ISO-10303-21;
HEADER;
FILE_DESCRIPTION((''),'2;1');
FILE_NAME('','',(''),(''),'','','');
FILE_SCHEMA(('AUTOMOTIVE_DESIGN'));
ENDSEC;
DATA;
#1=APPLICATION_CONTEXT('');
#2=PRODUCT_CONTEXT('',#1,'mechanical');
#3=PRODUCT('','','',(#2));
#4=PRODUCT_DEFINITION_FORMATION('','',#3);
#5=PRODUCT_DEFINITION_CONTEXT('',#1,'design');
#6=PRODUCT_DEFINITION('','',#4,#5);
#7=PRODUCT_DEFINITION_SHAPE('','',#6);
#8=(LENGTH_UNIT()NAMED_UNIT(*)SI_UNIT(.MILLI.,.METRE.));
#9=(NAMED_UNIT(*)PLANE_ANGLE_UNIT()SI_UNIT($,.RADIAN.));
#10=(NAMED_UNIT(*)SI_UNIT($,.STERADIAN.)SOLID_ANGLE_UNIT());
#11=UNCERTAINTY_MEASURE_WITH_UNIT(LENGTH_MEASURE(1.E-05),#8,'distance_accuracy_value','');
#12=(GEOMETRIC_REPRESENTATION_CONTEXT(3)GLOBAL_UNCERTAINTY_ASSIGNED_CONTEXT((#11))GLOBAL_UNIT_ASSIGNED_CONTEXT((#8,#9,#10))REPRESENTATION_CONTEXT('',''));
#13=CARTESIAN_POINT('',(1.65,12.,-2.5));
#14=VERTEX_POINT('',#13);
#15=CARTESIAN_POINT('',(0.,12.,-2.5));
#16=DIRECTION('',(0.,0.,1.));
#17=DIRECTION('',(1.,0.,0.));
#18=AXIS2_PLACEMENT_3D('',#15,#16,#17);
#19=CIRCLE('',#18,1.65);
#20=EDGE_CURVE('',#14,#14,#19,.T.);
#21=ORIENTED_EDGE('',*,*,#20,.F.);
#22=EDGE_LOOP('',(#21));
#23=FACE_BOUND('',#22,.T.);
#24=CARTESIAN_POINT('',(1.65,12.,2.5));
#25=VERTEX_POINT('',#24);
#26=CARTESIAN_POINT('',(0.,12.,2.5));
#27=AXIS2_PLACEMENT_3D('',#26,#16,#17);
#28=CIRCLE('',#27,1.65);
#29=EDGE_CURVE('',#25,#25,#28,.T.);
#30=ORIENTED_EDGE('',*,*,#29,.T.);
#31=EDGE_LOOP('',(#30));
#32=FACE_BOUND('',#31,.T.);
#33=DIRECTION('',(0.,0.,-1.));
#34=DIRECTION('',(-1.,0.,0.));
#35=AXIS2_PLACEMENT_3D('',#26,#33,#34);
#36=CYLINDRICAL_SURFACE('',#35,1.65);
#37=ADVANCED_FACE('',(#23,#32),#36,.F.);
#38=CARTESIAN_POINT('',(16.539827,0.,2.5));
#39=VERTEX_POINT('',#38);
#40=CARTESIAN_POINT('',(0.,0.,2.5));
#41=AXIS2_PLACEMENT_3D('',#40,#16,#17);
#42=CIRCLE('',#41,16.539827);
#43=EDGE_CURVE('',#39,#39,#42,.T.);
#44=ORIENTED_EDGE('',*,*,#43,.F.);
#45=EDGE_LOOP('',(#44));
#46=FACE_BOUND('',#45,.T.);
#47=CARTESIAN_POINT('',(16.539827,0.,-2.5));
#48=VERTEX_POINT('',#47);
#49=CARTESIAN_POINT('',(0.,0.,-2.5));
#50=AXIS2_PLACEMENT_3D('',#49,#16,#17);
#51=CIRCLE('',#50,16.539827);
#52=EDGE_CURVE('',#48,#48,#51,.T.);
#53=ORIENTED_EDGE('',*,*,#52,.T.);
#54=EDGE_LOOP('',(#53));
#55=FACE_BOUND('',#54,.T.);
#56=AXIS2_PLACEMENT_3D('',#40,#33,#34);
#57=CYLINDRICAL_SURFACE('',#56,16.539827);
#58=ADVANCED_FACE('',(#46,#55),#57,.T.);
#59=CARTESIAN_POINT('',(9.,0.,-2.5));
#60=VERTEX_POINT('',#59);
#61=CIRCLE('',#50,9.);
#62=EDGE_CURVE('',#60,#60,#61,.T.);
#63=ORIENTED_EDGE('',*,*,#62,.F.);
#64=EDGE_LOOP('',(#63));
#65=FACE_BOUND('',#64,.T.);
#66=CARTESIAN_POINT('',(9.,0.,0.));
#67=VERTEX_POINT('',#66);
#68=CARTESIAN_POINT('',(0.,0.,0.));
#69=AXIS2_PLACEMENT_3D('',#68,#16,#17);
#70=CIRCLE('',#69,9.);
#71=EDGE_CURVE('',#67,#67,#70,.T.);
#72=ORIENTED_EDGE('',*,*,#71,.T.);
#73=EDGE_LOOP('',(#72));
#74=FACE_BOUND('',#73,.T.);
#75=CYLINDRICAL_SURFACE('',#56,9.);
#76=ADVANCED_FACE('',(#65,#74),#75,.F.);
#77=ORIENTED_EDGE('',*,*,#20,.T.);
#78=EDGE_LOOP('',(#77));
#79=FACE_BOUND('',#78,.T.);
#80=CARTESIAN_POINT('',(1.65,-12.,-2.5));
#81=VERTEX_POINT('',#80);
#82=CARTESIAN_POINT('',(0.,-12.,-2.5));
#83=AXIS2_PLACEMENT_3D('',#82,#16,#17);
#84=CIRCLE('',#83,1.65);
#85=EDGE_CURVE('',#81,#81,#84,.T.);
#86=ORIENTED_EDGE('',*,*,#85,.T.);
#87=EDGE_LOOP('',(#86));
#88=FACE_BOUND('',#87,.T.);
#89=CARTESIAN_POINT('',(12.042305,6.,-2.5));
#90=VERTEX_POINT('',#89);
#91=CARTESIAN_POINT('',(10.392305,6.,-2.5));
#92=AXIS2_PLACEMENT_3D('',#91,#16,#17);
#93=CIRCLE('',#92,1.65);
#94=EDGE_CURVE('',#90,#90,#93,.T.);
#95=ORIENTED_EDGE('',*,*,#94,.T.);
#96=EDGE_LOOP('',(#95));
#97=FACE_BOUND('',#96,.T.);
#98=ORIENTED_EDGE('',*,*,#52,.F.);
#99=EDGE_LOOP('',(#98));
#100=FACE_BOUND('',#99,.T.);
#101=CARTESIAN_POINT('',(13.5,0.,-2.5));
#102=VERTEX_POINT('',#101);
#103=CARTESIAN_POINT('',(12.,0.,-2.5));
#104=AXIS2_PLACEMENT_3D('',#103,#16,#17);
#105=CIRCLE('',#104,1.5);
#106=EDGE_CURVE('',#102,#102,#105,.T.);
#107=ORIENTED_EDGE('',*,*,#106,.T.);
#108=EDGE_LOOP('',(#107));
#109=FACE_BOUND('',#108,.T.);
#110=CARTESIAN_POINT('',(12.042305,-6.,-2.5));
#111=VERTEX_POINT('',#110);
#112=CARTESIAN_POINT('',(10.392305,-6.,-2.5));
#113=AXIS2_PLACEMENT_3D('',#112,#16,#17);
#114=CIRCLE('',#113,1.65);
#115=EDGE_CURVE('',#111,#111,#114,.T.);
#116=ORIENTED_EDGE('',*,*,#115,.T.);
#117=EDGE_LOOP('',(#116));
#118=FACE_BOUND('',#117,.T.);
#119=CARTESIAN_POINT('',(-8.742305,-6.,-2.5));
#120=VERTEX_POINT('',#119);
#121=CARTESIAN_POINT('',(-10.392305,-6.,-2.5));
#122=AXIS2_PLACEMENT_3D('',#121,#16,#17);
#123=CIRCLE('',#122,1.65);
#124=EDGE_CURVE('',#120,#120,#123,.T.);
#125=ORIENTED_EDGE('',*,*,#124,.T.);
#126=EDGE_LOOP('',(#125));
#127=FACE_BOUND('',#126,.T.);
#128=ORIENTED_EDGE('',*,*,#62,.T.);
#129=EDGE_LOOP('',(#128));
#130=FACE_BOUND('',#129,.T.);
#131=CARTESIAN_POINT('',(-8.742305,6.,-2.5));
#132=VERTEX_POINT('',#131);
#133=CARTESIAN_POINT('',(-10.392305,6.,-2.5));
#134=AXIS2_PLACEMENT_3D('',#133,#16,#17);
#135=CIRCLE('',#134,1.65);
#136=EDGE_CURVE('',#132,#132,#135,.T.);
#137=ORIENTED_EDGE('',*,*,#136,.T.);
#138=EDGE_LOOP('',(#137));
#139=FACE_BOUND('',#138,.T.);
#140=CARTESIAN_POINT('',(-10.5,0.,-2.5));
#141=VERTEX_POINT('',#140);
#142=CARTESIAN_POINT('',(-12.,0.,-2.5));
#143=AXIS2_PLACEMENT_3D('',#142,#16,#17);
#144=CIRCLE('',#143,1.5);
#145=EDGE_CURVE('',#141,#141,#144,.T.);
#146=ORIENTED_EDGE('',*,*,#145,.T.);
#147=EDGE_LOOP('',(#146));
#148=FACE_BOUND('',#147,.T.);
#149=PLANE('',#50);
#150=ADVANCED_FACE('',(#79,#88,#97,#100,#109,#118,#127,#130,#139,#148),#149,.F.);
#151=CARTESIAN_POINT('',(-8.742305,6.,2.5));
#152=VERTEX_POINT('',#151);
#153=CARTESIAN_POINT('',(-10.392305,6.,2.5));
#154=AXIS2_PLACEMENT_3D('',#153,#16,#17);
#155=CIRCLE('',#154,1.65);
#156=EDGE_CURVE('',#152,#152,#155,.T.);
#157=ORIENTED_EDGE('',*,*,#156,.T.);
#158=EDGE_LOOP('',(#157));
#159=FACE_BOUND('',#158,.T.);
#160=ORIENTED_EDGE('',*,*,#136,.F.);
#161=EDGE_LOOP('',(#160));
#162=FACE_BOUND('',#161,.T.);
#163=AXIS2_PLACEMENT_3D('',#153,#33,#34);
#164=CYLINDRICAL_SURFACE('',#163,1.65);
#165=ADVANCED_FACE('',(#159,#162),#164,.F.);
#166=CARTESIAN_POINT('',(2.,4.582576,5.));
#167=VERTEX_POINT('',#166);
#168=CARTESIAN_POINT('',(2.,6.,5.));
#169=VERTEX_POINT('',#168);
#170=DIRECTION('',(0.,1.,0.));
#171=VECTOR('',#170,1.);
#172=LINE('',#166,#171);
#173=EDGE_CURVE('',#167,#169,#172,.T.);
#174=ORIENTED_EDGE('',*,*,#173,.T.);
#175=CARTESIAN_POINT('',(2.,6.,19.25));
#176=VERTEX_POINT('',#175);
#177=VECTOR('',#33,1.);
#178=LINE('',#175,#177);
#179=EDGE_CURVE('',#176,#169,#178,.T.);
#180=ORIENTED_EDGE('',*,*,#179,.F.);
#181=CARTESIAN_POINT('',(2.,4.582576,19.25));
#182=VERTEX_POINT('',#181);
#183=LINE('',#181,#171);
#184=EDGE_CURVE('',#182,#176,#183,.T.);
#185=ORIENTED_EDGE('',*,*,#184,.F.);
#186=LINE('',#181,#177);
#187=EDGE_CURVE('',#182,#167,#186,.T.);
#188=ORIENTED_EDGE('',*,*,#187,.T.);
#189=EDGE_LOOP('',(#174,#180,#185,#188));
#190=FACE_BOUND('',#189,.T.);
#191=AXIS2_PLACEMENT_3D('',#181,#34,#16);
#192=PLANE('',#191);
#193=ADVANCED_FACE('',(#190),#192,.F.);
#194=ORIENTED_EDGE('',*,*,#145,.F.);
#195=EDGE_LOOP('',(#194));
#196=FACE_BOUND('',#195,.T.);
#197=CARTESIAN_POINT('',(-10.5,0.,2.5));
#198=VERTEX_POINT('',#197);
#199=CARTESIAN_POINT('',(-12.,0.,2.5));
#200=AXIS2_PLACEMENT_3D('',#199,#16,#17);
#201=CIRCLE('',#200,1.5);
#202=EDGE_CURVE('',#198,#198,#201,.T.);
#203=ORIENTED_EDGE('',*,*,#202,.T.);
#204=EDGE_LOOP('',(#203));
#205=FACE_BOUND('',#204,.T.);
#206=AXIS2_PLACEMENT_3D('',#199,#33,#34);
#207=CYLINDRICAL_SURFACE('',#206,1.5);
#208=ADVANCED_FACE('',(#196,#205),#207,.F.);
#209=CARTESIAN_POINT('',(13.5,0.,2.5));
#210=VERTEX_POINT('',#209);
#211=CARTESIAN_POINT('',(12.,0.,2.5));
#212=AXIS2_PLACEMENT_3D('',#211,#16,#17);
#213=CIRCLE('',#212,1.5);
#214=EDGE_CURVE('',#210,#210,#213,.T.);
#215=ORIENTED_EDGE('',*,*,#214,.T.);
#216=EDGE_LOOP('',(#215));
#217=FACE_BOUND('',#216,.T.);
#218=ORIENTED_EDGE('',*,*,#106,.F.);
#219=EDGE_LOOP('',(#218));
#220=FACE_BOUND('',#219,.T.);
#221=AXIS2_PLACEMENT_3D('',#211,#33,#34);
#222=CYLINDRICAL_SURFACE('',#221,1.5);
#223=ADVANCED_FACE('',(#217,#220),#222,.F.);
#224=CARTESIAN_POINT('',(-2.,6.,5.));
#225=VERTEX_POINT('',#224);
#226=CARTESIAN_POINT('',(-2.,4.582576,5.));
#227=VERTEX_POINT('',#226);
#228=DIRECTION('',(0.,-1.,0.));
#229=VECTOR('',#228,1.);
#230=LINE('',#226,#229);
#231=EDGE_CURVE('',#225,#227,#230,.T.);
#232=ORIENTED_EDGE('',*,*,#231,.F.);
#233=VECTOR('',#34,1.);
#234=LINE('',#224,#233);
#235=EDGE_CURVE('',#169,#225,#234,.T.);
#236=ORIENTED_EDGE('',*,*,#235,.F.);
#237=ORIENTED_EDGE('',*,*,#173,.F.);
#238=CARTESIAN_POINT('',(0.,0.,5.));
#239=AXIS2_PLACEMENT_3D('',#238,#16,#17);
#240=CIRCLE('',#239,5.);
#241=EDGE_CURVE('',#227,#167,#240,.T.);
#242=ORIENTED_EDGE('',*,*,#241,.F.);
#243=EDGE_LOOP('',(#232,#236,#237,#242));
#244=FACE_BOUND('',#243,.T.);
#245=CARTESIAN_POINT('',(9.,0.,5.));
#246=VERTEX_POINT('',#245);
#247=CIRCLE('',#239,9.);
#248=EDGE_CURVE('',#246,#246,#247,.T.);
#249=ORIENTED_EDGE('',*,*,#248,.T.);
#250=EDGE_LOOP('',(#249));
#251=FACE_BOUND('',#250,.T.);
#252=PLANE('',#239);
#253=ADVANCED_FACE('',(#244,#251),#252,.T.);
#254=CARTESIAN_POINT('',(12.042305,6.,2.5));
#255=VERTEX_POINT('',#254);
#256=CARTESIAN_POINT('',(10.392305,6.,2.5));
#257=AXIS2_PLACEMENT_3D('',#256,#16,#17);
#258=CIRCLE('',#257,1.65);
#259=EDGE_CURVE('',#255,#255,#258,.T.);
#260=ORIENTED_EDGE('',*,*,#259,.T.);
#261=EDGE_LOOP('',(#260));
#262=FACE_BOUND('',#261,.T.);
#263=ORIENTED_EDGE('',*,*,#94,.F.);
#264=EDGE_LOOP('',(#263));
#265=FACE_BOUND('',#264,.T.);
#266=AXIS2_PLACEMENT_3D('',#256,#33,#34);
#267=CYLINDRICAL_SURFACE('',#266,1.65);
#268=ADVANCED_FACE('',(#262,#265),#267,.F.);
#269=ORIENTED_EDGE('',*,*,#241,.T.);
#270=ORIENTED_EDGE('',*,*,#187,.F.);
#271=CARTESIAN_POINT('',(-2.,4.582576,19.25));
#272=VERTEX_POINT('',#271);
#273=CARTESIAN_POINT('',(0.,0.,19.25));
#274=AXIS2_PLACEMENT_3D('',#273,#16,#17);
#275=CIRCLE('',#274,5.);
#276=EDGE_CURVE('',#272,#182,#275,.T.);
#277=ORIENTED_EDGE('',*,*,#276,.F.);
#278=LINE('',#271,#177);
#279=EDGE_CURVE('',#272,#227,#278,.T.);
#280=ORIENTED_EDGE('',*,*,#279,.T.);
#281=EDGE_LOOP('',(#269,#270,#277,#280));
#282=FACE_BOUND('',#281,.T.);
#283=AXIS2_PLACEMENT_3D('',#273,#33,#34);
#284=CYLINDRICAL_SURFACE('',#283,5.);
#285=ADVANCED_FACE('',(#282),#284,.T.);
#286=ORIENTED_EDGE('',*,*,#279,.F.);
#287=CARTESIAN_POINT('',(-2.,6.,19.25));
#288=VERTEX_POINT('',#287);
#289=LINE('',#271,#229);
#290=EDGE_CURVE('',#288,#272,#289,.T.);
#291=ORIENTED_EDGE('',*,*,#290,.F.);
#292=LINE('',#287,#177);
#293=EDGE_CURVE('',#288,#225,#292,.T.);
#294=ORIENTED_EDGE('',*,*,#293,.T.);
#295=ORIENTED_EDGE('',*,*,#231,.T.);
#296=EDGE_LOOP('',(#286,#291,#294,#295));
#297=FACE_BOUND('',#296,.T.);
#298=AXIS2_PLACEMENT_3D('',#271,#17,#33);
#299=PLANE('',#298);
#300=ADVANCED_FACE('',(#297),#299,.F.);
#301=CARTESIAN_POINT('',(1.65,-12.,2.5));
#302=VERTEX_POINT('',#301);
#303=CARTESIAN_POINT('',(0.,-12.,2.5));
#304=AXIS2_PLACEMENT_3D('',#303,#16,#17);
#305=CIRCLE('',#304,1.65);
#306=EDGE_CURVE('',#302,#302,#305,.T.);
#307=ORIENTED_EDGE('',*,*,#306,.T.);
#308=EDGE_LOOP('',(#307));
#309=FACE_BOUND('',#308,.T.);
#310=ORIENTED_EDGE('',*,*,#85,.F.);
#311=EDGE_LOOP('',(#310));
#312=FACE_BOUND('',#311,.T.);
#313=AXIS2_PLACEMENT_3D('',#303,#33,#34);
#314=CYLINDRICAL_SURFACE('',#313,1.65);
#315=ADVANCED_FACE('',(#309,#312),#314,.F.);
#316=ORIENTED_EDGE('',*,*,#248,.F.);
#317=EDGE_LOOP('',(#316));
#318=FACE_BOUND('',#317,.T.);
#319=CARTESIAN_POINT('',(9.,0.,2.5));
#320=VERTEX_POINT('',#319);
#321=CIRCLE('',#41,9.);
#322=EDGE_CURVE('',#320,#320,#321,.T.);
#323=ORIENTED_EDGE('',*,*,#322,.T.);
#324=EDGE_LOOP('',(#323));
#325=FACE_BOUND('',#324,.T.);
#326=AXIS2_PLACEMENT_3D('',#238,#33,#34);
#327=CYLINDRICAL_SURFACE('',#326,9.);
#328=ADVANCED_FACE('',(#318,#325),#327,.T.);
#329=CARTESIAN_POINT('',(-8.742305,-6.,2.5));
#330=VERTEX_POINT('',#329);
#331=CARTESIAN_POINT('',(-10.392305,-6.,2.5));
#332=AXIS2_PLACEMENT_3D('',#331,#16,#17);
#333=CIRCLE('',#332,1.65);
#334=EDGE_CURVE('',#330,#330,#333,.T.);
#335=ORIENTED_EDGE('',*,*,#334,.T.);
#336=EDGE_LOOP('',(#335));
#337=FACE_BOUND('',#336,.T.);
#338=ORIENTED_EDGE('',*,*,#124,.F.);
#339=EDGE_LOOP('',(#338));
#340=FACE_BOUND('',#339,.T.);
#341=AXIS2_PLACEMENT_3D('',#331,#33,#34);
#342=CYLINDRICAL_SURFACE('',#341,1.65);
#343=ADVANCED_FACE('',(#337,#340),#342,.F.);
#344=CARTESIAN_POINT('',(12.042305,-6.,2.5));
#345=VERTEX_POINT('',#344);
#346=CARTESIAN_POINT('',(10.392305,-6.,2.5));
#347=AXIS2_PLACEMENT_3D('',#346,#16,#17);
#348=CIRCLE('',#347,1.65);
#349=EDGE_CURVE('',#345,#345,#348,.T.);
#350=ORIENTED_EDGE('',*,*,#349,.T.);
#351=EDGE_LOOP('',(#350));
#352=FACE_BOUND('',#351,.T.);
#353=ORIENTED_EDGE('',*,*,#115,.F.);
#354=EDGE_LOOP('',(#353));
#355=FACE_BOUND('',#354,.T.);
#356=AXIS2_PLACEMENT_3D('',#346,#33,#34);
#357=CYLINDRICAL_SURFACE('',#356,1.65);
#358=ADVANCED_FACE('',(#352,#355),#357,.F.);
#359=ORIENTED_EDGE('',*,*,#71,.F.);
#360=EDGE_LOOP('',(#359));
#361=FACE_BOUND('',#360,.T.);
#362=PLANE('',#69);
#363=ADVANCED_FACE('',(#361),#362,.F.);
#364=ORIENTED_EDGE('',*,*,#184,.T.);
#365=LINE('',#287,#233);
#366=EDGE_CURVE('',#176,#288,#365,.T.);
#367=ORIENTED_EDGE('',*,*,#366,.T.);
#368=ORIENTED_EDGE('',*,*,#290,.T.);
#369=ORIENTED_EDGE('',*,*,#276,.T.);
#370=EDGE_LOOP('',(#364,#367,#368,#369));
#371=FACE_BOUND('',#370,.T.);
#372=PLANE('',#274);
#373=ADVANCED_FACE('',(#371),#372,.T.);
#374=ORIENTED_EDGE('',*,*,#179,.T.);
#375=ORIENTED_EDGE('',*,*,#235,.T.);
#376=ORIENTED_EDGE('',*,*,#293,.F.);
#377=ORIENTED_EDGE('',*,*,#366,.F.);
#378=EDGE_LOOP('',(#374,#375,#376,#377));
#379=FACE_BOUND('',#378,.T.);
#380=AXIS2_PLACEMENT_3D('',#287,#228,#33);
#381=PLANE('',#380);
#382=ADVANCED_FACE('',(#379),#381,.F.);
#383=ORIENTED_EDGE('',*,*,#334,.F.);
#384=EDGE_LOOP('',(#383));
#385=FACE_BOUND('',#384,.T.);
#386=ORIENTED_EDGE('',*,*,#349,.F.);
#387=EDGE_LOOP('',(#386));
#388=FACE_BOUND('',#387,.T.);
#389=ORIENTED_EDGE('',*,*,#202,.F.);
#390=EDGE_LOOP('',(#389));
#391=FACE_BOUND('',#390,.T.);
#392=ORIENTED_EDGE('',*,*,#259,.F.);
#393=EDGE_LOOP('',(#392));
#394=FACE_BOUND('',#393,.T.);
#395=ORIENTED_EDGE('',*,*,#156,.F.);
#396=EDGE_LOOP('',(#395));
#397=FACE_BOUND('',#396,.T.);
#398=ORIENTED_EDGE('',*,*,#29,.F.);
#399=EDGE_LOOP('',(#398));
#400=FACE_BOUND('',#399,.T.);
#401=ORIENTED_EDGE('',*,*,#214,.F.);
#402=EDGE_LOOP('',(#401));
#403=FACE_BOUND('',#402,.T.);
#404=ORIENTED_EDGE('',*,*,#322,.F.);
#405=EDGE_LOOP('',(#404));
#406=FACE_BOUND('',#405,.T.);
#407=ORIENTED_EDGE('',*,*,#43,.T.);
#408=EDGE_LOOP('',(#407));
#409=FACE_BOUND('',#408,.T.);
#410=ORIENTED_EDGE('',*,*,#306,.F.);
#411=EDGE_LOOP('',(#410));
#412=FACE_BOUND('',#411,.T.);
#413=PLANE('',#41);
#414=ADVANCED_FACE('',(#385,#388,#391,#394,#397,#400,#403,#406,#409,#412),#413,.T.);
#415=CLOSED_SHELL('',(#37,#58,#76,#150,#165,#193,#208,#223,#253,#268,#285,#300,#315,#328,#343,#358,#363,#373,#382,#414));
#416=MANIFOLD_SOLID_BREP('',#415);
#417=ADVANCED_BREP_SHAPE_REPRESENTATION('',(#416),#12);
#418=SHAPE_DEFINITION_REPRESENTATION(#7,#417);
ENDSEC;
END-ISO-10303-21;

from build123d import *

# Parameters (mm, degrees)
SKETCH1_R           = 16.539827403
BOSS_EXTRUDE1_DEPTH = 2.5
SKETCH3_R           = 9
BOSS_EXTRUDE3_DEPTH = 2.5
BOSS_EXTRUDE5_DEPTH = 14.25


with BuildPart() as part:
    # Sketch1 → Boss-Extrude1 (new, symmetric)
    with BuildSketch(Plane.XY):
        Circle(SKETCH1_R)
        with BuildLine():
            ThreePointArc((9, 0), (0, 9), (-9, 0))
            ThreePointArc((-9, 0), (0, -9), (9, 0))
        make_face(mode=Mode.SUBTRACT)
        with BuildLine():
            ThreePointArc((1.65, 12), (0, 13.65), (-1.65, 12))
            ThreePointArc((-1.65, 12), (0, 10.35), (1.65, 12))
        make_face(mode=Mode.SUBTRACT)
        with BuildLine():
            ThreePointArc((11.217304845, 4.571058084), (11.821246762, 6.825), (9.567304845, 7.428941916))
            ThreePointArc((9.567304845, 7.428941916), (8.963362929, 5.175), (11.217304845, 4.571058084))
        make_face(mode=Mode.SUBTRACT)
        with BuildLine():
            ThreePointArc((9.567304845, -7.428941916), (11.821246762, -6.825), (11.217304845, -4.571058084))
            ThreePointArc((11.217304845, -4.571058084), (8.963362929, -5.175), (9.567304845, -7.428941916))
        make_face(mode=Mode.SUBTRACT)
        with BuildLine():
            ThreePointArc((-1.65, -12), (0, -13.65), (1.65, -12))
            ThreePointArc((1.65, -12), (0, -10.35), (-1.65, -12))
        make_face(mode=Mode.SUBTRACT)
        with BuildLine():
            ThreePointArc((-11.217304845, -4.571058084), (-11.821246762, -6.825), (-9.567304845, -7.428941916))
            ThreePointArc((-9.567304845, -7.428941916), (-8.963362929, -5.175), (-11.217304845, -4.571058084))
        make_face(mode=Mode.SUBTRACT)
        with BuildLine():
            ThreePointArc((-9.567304845, 7.428941916), (-11.821246762, 6.825), (-11.217304845, 4.571058084))
            ThreePointArc((-11.217304845, 4.571058084), (-8.963362929, 5.175), (-9.567304845, 7.428941916))
        make_face(mode=Mode.SUBTRACT)
        with BuildLine():
            ThreePointArc((13.5, 0), (12, 1.5), (10.5, 0))
            ThreePointArc((10.5, 0), (12, -1.5), (13.5, 0))
        make_face(mode=Mode.SUBTRACT)
        with BuildLine():
            ThreePointArc((-10.5, 0), (-12, 1.5), (-13.5, 0))
            ThreePointArc((-13.5, 0), (-12, -1.5), (-10.5, 0))
        make_face(mode=Mode.SUBTRACT)
    extrude(amount=BOSS_EXTRUDE1_DEPTH, both=True)

    # Sketch3 → Boss-Extrude3 (add, symmetric)
    with BuildSketch(Plane.XY.offset(2.5)):
        Circle(SKETCH3_R)
    extrude(amount=BOSS_EXTRUDE3_DEPTH, both=True)

    # Sketch4 → Boss-Extrude5 (add)
    with BuildSketch(Plane.XY.offset(5)):
        with BuildLine():
            Line((-2, 4.582575695), (-2, 6))
            Line((-2, 6), (2, 6))
            Line((2, 6), (2, 4.582575695))
            ThreePointArc((2, 4.582575695), (0, -5), (-2, 4.582575695))
        make_face()
    extrude(amount=BOSS_EXTRUDE5_DEPTH)


solid = part.part
